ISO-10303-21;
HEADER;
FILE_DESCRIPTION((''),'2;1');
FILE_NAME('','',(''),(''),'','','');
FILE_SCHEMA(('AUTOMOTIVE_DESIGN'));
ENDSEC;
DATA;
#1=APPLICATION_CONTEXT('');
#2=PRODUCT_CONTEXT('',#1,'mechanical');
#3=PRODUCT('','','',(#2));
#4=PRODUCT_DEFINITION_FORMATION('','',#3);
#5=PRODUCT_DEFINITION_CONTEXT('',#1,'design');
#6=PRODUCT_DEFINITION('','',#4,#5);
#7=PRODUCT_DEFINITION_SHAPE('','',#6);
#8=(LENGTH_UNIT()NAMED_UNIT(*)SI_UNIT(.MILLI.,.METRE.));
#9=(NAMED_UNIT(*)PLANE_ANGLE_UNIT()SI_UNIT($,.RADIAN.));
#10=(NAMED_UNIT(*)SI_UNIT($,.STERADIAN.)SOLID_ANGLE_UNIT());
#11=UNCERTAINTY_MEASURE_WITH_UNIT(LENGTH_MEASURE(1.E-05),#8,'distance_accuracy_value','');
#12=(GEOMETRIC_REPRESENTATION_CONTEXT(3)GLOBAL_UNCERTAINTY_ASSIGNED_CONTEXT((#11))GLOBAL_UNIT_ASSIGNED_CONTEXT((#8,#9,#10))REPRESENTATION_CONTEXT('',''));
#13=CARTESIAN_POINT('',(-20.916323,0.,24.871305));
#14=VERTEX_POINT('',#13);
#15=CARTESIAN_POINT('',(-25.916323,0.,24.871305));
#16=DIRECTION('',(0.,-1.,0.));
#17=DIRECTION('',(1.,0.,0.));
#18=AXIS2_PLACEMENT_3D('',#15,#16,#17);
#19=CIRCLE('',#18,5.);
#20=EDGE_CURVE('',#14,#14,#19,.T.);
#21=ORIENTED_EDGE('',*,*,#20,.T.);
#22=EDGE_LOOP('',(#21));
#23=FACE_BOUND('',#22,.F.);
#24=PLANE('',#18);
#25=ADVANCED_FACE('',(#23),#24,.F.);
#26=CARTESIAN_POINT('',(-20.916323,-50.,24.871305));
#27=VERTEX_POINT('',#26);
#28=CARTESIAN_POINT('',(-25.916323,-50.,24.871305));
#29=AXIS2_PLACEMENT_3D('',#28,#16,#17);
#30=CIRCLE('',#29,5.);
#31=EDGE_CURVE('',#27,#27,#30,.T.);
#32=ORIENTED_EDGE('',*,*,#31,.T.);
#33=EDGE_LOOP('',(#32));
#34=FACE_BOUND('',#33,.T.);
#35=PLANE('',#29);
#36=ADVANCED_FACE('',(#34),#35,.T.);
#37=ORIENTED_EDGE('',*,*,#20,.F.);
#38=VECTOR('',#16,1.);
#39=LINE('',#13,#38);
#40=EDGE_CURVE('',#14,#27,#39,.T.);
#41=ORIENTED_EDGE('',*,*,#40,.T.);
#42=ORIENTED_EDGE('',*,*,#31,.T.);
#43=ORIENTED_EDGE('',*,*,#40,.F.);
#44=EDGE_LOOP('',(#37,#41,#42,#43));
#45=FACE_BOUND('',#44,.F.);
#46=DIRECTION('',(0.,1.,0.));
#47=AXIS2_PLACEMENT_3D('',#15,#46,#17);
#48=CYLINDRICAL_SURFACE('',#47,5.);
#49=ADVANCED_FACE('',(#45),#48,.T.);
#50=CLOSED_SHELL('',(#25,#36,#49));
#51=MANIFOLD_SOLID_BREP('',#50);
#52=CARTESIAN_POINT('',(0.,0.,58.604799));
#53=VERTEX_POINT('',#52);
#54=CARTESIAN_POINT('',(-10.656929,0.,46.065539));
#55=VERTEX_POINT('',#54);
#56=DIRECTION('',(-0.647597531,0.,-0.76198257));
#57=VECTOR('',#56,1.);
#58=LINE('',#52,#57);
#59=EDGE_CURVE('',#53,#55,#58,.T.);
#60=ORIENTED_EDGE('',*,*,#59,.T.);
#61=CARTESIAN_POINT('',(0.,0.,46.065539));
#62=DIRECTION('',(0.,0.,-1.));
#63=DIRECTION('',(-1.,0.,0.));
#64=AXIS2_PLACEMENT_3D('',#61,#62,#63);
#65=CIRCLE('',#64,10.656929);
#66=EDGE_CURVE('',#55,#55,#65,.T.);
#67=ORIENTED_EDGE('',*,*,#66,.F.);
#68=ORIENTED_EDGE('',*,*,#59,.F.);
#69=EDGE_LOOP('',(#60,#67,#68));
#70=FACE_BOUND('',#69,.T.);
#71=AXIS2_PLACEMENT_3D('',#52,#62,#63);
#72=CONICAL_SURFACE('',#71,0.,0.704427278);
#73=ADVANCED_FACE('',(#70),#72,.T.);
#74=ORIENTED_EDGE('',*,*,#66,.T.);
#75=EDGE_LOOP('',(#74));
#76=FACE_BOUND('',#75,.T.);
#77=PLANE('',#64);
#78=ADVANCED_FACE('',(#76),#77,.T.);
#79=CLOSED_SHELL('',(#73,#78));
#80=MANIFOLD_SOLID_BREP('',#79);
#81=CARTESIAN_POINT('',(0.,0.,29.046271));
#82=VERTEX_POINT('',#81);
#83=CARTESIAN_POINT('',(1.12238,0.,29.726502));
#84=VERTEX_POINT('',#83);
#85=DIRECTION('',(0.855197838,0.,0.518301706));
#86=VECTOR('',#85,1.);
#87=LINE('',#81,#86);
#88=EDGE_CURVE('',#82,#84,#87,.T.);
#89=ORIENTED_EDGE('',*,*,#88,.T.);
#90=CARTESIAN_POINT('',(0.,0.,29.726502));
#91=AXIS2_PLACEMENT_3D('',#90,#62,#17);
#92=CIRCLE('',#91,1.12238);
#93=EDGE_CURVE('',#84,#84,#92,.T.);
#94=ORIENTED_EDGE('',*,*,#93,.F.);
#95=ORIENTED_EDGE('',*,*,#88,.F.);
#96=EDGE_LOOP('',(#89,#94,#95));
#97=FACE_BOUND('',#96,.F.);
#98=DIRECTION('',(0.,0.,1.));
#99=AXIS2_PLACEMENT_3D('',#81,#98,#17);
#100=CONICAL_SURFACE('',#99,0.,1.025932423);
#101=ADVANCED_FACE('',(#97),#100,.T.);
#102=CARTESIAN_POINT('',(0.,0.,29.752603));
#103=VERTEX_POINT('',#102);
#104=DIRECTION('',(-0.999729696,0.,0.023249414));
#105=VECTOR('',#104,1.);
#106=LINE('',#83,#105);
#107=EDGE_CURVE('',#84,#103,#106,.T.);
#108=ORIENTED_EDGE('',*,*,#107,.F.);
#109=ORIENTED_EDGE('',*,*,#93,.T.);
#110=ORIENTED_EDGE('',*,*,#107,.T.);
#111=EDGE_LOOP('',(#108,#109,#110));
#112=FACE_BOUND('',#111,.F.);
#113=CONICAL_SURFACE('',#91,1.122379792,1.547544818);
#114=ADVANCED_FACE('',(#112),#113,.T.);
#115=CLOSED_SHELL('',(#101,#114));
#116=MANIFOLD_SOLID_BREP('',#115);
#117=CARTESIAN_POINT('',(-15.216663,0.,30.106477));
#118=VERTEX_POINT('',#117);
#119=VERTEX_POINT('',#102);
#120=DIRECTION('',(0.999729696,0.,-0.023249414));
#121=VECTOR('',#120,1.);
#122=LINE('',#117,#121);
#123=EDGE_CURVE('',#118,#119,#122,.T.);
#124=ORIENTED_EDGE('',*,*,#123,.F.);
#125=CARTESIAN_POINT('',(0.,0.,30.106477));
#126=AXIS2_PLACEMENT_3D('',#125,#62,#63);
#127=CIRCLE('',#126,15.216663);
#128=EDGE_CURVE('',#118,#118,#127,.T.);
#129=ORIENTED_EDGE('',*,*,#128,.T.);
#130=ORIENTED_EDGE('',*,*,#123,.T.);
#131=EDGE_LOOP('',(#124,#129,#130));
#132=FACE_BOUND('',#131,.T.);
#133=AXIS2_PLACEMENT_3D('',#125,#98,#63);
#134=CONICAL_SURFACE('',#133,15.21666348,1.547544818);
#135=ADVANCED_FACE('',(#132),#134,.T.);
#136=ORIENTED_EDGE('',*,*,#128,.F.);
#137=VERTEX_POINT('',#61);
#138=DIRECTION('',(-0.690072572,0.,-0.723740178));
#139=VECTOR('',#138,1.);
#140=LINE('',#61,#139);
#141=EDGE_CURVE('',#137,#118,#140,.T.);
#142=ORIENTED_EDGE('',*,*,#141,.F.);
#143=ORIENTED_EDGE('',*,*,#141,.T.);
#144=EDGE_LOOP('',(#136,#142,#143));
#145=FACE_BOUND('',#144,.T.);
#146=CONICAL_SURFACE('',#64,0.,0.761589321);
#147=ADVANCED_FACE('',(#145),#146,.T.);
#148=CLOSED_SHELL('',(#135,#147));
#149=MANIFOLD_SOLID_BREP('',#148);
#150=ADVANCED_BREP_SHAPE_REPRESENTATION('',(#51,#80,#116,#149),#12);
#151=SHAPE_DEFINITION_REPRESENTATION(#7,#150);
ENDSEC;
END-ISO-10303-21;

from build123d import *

# Parameters (mm, degrees)
F0_R     = 5
F1_DEPTH = 50


with BuildPart() as f1:
    # F0 (on Front) → F1 (new body)
    with BuildSketch(Plane.XZ):
        with Locations((-25.9163230658, 24.8713046312)):
            Circle(F0_R)
    extrude(amount=F1_DEPTH)


with BuildPart() as f3:
    # F2 (on Front) → F3 (revolve)
    with BuildSketch(Plane.XZ):
        Polygon((0, 46.0655391216), (0, 58.604799211), (-10.6569286436, 46.0655391216), align=None)
    revolve(axis=Axis((0, 0, 3.6980304867), (0, 0, -1)))


with BuildPart() as f3b:
    # F2 (on Front) → F3, piece 2 (revolve)
    with BuildSketch(Plane.XZ):
        Polygon((0, 29.7526032817), (0, 46.0655391216), (-15.2166634798, 30.1064774394), align=None)
    revolve(axis=Axis((0, 0, 3.6980304867), (0, 0, -1)))


with BuildPart() as f3c:
    # F2 (on Front) → F3, piece 3 (revolve)
    with BuildSketch(Plane.XZ):
        Polygon((1.1223797919, 29.7265015543), (0, 29.7526032817), (0, 29.0462713956), align=None)
    revolve(axis=Axis((0, 0, 3.6980304867), (0, 0, -1)))


solid = Compound([f1.part, f3.part, f3b.part, f3c.part])
